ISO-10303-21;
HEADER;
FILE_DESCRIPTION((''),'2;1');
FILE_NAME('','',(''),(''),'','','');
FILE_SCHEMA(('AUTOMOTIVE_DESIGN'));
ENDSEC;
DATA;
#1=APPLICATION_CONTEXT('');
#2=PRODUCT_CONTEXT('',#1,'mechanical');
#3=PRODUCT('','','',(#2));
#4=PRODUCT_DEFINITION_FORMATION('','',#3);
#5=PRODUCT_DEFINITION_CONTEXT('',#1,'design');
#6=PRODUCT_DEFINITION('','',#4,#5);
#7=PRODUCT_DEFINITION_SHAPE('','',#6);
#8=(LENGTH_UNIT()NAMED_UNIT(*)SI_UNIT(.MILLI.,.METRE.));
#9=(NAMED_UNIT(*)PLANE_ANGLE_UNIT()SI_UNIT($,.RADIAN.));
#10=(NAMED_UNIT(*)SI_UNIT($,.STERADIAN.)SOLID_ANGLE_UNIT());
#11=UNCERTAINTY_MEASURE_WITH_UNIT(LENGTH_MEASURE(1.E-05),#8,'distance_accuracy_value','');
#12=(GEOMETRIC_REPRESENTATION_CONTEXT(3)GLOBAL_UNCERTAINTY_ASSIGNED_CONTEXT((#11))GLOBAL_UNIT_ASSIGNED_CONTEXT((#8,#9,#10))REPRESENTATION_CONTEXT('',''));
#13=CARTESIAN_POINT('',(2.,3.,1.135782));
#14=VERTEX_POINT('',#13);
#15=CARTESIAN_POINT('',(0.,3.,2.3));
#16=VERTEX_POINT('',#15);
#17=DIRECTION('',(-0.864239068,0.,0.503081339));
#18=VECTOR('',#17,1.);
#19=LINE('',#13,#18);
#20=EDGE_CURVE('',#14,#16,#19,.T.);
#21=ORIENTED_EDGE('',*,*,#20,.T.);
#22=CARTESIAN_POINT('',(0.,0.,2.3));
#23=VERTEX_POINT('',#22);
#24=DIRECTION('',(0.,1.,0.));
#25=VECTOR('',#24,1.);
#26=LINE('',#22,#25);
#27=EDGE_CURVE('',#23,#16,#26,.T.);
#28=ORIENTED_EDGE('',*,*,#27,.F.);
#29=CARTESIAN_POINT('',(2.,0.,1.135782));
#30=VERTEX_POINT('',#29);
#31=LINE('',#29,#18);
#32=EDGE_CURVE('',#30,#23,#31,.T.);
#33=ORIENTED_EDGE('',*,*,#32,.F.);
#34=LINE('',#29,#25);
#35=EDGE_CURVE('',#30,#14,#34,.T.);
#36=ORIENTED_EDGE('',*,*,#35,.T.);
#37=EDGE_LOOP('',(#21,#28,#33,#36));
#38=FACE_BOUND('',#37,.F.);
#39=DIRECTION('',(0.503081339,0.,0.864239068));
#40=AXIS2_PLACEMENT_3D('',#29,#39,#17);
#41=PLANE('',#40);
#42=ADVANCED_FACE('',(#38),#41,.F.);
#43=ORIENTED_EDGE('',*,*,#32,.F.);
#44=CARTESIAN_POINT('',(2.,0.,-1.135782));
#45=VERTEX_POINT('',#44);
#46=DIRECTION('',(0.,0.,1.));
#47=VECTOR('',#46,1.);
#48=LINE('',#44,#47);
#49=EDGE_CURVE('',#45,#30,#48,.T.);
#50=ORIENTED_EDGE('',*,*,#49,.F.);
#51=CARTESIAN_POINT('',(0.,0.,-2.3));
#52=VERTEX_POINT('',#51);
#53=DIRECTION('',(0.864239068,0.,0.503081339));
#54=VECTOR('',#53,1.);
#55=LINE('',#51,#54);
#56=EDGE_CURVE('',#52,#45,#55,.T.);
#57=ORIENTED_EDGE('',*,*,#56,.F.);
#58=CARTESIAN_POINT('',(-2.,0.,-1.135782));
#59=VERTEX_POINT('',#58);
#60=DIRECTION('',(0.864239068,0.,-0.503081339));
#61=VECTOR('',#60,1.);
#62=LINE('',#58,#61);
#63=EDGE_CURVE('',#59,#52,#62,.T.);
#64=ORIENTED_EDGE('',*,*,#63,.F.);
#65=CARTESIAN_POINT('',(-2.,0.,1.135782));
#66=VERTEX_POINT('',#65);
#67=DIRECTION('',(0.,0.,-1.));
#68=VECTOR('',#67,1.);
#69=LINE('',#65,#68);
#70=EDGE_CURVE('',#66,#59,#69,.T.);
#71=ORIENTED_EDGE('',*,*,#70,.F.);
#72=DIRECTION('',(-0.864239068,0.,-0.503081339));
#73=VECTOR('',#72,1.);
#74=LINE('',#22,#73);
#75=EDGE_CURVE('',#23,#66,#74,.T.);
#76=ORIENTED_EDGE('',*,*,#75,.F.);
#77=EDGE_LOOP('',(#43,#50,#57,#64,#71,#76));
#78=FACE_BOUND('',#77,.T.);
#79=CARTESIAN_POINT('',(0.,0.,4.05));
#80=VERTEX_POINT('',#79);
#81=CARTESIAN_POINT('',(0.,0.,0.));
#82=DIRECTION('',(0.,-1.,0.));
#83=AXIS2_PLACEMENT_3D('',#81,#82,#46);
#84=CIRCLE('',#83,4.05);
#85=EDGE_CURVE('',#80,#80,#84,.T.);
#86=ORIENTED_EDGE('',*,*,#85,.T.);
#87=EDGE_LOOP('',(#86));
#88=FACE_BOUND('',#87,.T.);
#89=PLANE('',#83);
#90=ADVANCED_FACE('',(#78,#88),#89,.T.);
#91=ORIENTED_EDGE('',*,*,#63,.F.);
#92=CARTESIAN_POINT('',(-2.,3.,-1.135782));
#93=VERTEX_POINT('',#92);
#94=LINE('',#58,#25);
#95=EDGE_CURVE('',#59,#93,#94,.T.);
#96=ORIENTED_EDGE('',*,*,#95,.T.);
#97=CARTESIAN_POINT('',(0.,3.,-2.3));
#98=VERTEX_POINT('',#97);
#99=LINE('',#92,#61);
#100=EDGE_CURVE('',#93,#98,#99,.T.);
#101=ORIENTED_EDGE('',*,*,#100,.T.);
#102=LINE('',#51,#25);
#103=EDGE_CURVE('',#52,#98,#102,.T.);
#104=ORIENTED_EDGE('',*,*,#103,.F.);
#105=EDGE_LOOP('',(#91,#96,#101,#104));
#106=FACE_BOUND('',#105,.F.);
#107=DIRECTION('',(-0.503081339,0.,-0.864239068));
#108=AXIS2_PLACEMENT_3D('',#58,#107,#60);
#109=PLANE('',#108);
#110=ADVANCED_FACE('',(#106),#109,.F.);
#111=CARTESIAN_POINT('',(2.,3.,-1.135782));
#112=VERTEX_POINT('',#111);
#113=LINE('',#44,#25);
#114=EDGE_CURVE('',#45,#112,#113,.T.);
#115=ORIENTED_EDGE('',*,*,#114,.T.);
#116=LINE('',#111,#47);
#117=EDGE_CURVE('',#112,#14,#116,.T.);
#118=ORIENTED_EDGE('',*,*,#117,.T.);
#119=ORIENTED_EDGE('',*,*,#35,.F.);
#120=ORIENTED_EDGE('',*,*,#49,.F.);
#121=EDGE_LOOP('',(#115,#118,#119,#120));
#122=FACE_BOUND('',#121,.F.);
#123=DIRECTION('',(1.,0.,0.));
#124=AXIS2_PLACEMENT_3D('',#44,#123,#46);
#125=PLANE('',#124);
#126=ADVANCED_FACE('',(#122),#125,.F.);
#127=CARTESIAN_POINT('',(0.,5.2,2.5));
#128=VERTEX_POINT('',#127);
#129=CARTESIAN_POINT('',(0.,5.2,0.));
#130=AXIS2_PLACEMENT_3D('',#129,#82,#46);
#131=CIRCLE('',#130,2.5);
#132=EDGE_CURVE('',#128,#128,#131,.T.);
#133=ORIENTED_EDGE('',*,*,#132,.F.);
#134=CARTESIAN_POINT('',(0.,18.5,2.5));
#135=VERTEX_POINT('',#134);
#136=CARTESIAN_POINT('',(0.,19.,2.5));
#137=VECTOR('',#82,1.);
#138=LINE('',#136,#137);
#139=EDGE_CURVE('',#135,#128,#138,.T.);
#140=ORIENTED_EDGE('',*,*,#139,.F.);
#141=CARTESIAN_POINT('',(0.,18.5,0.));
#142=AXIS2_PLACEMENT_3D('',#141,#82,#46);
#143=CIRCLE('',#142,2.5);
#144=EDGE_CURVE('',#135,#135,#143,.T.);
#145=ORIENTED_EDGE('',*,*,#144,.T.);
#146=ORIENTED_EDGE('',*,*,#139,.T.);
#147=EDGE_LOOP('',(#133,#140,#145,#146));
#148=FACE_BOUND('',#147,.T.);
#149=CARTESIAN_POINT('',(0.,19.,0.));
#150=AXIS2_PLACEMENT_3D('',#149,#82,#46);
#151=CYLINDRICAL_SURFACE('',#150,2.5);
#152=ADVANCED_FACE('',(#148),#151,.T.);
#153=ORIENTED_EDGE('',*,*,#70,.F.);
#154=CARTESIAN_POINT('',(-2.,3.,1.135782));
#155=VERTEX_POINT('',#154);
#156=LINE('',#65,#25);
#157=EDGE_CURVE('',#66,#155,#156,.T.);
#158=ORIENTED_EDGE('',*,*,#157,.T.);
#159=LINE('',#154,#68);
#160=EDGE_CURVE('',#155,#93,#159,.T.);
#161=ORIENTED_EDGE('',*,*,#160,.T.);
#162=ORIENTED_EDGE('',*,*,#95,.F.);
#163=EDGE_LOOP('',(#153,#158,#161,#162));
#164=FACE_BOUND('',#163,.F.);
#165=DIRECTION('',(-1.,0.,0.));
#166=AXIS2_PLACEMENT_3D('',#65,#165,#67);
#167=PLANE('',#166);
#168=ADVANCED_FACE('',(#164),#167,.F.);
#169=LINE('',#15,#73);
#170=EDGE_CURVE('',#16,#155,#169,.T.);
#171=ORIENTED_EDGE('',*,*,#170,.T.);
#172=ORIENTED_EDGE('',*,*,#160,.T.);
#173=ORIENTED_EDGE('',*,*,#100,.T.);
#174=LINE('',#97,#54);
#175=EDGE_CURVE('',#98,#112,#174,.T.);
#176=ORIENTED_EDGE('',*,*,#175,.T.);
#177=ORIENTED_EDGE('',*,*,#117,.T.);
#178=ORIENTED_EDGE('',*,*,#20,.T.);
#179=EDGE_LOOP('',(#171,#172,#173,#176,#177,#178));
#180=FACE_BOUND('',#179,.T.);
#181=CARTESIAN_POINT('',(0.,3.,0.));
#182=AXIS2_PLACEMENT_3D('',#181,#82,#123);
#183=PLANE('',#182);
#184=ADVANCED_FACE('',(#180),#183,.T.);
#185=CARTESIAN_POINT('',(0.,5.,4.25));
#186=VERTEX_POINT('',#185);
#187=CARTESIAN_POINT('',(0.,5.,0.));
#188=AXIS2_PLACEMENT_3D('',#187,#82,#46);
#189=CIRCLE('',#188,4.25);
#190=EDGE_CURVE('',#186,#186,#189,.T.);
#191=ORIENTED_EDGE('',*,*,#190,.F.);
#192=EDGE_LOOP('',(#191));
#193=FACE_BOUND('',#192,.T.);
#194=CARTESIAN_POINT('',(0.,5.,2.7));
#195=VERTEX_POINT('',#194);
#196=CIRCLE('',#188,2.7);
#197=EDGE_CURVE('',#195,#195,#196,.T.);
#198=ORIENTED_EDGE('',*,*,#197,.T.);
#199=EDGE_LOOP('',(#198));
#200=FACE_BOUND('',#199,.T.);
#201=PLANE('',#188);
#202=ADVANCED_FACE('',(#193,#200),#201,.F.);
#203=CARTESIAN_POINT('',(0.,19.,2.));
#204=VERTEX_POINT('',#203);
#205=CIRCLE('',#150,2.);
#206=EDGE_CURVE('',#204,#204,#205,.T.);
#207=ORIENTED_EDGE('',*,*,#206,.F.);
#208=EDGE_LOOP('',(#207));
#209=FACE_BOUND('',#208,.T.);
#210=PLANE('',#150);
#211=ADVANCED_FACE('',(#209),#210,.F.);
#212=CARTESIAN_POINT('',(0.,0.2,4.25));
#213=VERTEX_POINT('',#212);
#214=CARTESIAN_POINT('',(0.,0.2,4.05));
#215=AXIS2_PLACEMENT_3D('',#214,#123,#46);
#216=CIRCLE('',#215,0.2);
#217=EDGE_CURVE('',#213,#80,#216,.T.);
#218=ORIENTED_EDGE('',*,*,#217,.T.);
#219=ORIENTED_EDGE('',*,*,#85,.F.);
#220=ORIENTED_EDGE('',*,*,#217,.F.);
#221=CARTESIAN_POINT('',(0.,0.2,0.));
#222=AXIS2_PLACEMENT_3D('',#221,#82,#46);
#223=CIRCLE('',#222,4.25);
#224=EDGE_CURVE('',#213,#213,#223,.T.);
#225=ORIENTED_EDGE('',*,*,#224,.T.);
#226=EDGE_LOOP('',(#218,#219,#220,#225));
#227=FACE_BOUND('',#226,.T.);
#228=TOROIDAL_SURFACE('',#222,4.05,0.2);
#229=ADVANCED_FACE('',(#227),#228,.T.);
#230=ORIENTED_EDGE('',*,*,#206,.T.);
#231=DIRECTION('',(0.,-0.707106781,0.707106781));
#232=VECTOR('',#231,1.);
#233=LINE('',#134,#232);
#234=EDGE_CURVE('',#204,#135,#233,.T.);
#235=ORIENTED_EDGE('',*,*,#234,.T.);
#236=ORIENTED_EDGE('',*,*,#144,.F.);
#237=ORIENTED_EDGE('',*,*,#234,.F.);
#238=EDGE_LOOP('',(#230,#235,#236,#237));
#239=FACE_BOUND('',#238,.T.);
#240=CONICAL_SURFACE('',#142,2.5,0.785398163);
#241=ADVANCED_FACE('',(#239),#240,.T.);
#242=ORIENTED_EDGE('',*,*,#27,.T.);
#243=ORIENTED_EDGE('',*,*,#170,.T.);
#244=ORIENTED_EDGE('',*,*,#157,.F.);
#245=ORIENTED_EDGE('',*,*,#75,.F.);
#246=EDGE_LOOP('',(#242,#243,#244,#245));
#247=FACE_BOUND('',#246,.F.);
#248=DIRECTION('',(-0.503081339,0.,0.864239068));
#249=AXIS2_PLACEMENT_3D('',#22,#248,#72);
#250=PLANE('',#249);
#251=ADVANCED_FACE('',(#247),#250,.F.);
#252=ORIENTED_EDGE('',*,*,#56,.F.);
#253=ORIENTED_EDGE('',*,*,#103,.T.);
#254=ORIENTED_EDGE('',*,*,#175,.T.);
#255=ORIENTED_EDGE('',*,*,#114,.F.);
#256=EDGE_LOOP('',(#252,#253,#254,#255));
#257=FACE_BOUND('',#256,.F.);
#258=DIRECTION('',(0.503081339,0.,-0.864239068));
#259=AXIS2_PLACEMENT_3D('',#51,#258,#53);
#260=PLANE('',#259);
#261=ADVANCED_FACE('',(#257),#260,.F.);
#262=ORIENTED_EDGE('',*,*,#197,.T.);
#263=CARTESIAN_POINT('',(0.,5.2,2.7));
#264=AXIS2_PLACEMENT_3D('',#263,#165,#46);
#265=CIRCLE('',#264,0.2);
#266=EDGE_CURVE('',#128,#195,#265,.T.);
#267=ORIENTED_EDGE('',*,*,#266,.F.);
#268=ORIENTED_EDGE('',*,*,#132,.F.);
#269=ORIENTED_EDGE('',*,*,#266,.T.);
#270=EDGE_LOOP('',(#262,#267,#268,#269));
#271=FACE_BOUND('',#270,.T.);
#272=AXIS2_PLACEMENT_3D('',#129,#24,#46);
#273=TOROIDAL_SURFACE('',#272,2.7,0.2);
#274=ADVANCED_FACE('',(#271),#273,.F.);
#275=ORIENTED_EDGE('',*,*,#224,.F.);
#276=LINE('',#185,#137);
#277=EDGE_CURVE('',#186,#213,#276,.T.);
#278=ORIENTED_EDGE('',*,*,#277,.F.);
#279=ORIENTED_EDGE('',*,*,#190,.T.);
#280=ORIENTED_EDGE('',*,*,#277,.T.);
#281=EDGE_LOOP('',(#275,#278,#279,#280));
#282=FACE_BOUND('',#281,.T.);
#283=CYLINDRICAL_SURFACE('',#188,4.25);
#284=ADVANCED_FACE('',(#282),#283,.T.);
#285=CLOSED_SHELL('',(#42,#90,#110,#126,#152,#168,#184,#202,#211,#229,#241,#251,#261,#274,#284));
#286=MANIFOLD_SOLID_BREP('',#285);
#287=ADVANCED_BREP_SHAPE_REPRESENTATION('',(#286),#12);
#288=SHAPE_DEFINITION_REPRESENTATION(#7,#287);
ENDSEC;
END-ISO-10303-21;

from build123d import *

# Parameters (mm, degrees)
F2_SIZE  = 0.5
F3_R     = 0.2
F5_DEPTH = 3


with BuildPart() as f1:
    # F0 (on Right) → F1 (revolve)
    with BuildSketch(Plane.YZ):
        Polygon((0, 4.25), (0, 0), (19, 0), (19, 2.5), (5, 2.5), (5, 4.25), align=None)
    revolve(axis=Axis((0, 9.5, 0), (0, -1, 0)))

    # F2
    f2_edges = [f1.edges().sort_by_distance(p)[0] for p in [
        (0, 19, -2.5),
    ]]
    chamfer(f2_edges, length=F2_SIZE)

    # F3
    f3_edges = [f1.edges().sort_by_distance(p)[0] for p in [
        (0, 5, -2.5),
        (0, 0, -4.25),
    ]]
    fillet(f3_edges, radius=F3_R)

    # F4 (on face) → F5 (cut)
    with BuildSketch(Plane.XZ):
        Polygon((2, -1.135782), (2, 1.135782), (0, 2.3), (-2, 1.135782), (-2, -1.135782), (0, -2.3), align=None)
    extrude(amount=-F5_DEPTH, mode=Mode.SUBTRACT)


solid = f1.part
